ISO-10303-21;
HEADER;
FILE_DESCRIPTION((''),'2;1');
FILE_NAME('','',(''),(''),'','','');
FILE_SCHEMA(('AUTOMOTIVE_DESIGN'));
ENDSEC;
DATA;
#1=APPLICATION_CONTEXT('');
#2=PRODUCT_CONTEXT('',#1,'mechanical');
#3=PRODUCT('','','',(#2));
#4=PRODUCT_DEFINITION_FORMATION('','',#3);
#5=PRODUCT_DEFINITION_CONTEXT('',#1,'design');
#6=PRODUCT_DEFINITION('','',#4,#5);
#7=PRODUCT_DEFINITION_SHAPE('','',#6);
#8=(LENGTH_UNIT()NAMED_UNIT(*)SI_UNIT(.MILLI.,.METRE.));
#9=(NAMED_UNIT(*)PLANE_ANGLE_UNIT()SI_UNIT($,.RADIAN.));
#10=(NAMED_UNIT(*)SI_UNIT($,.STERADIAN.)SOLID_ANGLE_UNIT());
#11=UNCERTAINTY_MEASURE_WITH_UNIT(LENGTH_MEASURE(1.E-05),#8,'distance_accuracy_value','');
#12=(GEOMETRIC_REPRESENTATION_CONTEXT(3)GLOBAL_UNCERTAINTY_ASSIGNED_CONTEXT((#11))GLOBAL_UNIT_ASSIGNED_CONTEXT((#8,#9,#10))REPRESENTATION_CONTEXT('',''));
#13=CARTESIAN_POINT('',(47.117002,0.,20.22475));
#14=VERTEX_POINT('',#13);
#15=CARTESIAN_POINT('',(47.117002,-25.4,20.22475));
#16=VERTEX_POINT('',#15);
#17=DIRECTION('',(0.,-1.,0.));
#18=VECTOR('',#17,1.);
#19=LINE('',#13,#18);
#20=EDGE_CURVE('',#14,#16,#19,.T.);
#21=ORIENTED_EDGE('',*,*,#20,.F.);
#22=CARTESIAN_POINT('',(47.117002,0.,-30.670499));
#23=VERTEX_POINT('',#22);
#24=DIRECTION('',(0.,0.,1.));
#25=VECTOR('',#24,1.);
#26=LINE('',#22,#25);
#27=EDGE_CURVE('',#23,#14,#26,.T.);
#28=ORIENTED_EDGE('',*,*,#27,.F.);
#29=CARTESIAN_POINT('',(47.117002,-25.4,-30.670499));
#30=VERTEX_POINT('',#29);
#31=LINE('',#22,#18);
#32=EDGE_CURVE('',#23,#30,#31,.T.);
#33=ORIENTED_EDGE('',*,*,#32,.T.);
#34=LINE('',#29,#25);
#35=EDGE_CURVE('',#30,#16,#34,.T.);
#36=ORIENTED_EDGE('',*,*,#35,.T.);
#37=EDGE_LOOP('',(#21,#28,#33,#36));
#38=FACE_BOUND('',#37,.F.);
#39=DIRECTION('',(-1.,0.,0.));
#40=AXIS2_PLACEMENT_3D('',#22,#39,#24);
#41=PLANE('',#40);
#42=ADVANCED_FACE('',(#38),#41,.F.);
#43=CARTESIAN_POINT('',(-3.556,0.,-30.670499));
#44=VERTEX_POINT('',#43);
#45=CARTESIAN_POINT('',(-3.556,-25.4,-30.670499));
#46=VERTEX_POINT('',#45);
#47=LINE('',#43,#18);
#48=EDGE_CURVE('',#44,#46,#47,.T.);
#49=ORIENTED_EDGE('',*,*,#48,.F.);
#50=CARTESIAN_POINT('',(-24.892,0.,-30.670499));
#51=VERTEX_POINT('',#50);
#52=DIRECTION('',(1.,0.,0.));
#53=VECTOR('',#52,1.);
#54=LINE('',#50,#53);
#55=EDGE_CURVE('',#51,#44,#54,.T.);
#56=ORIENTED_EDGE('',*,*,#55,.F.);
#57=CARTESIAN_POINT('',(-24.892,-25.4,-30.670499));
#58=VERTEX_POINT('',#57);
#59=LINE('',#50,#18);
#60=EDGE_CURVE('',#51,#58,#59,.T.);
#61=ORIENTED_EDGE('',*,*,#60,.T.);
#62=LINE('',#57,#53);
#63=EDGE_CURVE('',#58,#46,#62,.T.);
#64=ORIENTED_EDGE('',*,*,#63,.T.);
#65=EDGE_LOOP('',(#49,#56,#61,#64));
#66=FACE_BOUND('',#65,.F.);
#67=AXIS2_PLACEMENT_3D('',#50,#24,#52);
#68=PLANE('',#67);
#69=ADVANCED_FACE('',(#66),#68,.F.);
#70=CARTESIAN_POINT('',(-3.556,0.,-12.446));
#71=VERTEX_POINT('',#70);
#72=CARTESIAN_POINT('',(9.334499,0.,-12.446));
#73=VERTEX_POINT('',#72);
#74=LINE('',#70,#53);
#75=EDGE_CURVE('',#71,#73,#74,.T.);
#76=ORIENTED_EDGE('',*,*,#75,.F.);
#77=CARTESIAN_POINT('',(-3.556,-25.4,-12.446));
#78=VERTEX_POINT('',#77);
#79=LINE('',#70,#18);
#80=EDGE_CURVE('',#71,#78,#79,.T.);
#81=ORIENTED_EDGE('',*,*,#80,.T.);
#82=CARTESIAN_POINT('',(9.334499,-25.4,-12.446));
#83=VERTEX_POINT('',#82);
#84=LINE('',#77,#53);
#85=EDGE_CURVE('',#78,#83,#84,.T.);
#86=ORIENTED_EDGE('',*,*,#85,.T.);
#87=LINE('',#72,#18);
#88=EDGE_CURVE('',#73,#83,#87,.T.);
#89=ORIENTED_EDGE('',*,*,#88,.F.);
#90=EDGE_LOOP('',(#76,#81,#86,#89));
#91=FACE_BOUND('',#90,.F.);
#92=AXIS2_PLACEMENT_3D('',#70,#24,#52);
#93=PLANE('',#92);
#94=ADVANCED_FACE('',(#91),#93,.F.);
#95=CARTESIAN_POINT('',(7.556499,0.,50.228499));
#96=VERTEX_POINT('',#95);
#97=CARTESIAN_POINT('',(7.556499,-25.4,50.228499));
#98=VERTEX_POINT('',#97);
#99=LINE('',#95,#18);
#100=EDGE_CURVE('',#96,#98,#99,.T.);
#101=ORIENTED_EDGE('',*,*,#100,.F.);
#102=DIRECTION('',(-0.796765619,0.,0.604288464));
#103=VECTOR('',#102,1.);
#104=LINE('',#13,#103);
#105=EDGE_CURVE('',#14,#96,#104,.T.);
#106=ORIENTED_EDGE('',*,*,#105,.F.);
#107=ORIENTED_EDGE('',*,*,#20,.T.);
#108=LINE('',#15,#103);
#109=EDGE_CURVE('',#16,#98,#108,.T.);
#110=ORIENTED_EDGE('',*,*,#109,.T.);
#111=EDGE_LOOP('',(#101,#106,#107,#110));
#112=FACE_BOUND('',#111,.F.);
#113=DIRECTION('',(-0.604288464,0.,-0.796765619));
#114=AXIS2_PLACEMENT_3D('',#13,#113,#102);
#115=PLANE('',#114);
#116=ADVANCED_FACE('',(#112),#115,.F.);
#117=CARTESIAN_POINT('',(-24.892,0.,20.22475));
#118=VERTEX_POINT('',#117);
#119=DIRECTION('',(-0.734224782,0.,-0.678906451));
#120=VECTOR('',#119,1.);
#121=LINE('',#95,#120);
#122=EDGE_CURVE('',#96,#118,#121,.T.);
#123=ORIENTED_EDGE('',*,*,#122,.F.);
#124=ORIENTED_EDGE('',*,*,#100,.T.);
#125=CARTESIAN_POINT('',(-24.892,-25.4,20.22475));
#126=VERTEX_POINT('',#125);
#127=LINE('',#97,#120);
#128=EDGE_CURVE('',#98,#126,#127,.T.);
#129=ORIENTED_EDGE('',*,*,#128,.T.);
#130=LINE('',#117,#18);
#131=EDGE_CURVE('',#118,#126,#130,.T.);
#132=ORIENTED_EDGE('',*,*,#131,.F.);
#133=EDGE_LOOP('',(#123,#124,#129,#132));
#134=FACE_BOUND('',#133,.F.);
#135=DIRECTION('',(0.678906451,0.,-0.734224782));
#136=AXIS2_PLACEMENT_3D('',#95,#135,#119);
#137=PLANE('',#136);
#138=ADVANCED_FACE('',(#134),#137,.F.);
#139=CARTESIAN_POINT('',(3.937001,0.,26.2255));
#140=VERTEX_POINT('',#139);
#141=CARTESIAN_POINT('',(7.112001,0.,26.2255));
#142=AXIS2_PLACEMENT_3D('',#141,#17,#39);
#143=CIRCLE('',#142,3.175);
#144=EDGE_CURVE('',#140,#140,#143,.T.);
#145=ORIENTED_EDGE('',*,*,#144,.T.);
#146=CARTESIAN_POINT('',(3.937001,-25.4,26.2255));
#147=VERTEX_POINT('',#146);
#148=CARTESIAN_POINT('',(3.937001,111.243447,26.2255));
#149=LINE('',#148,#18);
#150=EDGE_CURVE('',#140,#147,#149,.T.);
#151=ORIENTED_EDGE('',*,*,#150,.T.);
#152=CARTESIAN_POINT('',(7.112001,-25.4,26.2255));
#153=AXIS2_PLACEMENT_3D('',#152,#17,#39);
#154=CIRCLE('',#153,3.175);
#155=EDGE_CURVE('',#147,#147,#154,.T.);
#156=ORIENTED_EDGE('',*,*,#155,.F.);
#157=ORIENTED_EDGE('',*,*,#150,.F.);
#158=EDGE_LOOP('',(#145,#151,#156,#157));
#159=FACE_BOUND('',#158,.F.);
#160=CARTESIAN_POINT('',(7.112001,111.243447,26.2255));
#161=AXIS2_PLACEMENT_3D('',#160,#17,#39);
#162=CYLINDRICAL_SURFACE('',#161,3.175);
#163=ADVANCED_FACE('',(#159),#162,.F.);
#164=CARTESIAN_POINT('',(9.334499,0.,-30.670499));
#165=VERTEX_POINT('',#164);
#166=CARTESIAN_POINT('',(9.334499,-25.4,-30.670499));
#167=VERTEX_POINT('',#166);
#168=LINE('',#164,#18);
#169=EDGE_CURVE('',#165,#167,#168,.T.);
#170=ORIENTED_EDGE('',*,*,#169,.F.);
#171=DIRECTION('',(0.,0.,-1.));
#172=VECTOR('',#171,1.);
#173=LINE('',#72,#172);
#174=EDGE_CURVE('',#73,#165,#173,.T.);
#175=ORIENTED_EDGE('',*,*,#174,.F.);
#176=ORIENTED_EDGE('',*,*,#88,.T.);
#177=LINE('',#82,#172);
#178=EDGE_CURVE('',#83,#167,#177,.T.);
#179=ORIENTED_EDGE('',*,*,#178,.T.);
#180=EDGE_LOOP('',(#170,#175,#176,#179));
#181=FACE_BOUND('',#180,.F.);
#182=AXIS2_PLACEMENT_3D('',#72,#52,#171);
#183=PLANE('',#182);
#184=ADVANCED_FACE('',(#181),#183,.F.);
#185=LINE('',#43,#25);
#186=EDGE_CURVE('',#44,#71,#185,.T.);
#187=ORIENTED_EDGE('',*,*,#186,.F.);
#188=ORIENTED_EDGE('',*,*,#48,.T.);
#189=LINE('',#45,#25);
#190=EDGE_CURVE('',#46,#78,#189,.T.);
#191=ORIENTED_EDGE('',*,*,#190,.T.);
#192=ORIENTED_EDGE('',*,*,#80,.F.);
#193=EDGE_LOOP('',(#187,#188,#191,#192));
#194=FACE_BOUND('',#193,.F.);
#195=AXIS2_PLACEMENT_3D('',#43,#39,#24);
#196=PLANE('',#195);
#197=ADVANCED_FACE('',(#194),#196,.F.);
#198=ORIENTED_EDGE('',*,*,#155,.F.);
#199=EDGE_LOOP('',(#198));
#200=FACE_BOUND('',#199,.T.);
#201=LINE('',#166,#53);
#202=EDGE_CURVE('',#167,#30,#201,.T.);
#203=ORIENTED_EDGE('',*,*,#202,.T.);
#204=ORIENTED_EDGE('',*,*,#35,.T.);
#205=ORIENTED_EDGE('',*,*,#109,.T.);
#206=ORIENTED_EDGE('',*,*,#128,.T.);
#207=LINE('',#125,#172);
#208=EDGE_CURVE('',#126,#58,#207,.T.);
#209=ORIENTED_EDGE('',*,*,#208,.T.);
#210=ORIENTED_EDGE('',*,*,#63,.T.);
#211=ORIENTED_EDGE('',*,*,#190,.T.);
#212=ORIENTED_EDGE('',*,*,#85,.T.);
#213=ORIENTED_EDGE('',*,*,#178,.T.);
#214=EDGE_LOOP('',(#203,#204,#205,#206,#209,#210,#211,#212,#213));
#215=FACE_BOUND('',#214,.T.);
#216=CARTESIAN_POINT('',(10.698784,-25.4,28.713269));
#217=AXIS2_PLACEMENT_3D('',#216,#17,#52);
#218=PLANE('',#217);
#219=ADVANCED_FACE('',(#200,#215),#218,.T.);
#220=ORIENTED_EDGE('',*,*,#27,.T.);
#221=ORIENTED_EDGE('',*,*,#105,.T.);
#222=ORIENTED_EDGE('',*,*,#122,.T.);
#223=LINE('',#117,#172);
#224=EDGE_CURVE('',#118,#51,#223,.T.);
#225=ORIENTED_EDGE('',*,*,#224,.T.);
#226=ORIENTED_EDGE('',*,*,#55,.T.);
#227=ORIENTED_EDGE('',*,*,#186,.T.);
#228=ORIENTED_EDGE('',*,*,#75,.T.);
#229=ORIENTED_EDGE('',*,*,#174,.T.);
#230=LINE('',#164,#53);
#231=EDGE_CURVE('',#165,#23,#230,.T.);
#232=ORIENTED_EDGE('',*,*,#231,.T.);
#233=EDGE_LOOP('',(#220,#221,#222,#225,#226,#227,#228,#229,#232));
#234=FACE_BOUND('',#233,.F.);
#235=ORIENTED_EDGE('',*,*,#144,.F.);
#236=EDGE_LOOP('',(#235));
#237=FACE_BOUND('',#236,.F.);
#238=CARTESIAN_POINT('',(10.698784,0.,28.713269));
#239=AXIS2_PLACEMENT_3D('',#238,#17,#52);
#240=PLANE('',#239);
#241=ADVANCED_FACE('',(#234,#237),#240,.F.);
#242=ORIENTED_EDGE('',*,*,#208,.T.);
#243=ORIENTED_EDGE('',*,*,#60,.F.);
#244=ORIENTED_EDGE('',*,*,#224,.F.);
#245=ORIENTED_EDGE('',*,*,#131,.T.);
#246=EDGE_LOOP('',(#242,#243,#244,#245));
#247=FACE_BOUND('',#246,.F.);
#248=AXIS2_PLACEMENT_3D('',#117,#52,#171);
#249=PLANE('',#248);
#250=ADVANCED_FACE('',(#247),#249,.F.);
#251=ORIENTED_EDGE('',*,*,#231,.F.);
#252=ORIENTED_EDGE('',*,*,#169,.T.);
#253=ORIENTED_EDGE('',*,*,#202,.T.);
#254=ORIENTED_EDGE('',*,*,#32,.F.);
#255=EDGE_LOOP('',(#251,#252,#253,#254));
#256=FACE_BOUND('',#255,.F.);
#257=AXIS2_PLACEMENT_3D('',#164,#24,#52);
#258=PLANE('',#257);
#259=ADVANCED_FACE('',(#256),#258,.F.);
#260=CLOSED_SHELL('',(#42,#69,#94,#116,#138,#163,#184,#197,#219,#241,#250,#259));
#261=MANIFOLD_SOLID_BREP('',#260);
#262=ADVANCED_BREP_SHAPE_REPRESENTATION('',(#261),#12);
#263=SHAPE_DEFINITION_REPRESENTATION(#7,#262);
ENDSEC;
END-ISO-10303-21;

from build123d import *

# Parameters (mm, degrees)
F1_DEPTH = 25.4
F3_D     = 6.35


with BuildPart() as f1:
    # F0 (on Front) → F1 (new body)
    with BuildSketch(Plane.XZ):
        Polygon((7.5564994477, 50.2284988761), (-24.8920004815, 20.224750042), (47.1170023084, 20.224750042), align=None)
        Polygon((47.1170023084, 20.224750042), (-24.8920004815, 20.224750042), (-24.8920004815, -30.6704994291), (-3.5560000688, -30.6704994291), (-3.5560000688, -12.4460002407), (9.3344990164, -12.4460002407), (9.3344990164, -30.6704994291), (47.1170023084, -30.6704994291), align=None)
    extrude(amount=F1_DEPTH)

    # F3 (through all)
    with Locations(Plane(origin=(0, 0, 0), x_dir=(1, 0, 0), z_dir=(0, 1, 0))):
        with Locations((7.1120006032, -26.2254998088)):
            Hole(F3_D / 2)


solid = f1.part
